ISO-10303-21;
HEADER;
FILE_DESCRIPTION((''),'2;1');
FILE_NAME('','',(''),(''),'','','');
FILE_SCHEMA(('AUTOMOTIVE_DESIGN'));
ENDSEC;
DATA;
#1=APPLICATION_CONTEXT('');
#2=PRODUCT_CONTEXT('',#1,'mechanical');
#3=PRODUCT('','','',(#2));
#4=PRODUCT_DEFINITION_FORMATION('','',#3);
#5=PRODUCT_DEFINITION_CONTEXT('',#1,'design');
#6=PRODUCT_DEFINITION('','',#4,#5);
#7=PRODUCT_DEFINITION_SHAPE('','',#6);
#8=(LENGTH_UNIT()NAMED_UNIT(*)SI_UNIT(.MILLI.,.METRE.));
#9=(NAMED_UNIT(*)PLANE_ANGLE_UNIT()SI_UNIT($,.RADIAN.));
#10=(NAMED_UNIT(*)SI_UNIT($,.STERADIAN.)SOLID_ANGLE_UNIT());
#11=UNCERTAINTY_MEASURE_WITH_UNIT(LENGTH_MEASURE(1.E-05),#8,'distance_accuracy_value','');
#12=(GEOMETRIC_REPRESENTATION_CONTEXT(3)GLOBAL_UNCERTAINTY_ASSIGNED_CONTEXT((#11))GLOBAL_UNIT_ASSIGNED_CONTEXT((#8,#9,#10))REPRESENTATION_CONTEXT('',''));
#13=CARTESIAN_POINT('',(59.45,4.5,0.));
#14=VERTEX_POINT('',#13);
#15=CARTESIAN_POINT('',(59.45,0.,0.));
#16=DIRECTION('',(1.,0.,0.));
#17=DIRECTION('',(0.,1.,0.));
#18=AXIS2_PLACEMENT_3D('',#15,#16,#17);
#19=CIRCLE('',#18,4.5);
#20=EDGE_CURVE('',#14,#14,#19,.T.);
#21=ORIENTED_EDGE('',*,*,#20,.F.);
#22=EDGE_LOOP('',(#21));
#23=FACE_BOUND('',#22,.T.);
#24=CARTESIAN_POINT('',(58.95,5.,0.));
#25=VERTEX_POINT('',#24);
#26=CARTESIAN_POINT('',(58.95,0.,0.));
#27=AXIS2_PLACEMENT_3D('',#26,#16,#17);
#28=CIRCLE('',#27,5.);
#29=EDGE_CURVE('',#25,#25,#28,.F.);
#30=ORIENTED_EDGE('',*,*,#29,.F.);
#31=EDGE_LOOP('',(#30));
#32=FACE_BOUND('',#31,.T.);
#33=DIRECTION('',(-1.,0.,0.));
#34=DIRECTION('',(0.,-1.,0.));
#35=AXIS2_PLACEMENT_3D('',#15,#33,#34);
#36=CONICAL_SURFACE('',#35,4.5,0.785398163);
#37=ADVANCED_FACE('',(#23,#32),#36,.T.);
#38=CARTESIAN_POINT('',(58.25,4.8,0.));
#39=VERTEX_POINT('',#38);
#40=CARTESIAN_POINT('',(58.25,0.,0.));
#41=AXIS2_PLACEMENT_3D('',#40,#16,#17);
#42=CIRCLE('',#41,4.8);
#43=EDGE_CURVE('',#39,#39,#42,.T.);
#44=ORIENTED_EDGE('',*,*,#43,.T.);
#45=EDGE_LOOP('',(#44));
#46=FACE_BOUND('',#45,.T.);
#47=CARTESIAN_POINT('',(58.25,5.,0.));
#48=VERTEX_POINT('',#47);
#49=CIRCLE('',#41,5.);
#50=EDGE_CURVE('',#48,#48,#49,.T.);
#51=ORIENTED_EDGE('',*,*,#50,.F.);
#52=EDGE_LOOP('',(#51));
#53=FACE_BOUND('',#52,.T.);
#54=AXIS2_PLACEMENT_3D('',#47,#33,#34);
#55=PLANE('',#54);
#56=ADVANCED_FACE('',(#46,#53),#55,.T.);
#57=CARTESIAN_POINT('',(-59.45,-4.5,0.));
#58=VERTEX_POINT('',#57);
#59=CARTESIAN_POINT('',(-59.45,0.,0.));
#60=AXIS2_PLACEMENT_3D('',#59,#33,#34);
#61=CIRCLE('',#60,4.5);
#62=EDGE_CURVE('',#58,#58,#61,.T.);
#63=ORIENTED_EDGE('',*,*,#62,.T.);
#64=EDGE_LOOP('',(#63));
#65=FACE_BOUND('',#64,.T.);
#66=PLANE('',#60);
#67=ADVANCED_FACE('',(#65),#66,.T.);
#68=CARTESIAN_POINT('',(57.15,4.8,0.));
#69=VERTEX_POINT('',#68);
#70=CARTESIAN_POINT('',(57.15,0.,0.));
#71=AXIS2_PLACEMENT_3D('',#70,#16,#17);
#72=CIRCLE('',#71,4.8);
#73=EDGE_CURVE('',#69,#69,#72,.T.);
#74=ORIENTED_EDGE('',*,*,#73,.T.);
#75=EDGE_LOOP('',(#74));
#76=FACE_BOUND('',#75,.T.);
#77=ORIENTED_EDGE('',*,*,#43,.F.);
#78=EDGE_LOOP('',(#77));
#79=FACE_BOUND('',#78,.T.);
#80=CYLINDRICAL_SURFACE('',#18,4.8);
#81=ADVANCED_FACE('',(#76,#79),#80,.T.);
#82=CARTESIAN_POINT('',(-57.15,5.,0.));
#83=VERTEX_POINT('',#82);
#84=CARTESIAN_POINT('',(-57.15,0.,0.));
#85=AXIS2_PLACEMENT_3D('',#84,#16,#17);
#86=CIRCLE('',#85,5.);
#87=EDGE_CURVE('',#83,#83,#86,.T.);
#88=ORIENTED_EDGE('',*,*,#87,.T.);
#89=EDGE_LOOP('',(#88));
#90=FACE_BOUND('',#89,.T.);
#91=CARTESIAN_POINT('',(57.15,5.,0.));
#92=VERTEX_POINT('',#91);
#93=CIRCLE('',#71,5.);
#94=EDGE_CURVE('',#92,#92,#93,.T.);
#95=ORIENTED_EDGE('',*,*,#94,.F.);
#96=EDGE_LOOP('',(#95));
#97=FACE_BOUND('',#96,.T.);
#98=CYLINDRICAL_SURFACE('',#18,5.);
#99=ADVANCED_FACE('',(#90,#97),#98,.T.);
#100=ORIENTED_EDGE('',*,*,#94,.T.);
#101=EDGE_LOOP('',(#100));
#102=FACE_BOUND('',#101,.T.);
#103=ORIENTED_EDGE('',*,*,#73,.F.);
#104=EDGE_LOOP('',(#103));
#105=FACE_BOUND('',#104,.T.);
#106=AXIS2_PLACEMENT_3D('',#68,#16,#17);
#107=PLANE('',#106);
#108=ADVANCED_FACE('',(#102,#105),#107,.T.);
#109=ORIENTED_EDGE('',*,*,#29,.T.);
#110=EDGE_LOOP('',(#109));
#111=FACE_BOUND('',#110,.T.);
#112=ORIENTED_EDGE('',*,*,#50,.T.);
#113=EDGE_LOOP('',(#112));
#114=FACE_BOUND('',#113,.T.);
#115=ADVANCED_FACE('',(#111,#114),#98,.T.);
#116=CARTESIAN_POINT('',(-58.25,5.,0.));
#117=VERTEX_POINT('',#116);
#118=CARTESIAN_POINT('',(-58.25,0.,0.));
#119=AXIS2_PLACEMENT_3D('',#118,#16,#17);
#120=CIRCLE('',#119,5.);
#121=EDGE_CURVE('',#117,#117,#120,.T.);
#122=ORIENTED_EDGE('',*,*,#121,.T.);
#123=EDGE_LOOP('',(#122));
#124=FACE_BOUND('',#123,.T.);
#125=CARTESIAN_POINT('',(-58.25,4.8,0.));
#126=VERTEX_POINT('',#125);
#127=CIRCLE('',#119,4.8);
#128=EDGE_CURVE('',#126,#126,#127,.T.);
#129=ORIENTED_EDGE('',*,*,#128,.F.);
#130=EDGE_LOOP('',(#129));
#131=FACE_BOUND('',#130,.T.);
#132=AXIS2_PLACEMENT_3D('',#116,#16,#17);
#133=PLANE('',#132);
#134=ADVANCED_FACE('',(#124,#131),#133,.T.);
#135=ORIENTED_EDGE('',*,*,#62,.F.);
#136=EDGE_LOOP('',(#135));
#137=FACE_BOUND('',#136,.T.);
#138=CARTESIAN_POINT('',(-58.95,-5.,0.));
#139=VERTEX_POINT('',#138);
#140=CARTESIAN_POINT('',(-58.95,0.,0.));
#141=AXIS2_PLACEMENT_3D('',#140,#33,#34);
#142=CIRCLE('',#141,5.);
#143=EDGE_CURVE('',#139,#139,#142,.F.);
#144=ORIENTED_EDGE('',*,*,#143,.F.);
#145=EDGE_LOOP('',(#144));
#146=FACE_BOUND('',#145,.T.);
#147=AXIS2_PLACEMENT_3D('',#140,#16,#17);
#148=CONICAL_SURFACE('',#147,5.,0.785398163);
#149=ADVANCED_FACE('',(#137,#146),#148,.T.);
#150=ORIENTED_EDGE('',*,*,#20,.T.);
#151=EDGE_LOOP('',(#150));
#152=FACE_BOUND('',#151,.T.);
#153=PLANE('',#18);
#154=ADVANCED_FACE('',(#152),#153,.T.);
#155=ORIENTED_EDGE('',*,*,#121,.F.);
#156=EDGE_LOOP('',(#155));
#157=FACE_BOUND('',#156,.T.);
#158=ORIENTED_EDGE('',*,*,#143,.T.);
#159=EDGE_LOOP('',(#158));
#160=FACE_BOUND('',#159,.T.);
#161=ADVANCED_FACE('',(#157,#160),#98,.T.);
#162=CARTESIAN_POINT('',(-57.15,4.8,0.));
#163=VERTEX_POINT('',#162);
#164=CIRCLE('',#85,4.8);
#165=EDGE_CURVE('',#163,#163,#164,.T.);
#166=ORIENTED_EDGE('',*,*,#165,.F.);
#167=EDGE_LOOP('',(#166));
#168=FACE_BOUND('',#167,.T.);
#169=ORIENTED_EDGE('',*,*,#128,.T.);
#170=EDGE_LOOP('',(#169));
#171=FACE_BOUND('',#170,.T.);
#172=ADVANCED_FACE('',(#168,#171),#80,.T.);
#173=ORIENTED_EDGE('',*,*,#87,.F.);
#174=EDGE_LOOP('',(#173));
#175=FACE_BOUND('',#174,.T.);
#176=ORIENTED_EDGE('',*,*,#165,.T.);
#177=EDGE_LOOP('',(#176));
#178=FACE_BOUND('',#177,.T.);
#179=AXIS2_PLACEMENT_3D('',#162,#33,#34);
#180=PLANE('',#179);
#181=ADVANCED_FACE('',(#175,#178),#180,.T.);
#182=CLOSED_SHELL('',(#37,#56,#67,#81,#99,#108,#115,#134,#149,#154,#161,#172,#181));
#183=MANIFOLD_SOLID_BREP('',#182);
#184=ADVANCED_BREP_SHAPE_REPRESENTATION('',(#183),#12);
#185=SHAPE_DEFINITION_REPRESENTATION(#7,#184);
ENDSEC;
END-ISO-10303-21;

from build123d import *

# Parameters (mm, degrees)
CHAMFER_1_SIZE = 0.5


with BuildPart() as part:
    # Sketch 1 → Revolve 1 (revolve)
    with BuildSketch(Plane.XY):
        Polygon((59.45, 0), (59.45, 5), (58.25, 5), (58.25, 4.8), (57.15, 4.8), (57.15, 5), (-57.15, 5), (-57.15, 4.8), (-58.25, 4.8), (-58.25, 5), (-59.45, 5), (-59.45, 0), align=None)
    revolve(axis=Axis((59.45, 0, 0), (-1, 0, 0)))

    # Chamfer 1
    chamfer_1_edges = [part.edges().sort_by_distance(p)[0] for p in [
        (-59.45, -5, 0),
        (59.45, -5, 0),
    ]]
    chamfer(chamfer_1_edges, length=CHAMFER_1_SIZE)


solid = part.part
